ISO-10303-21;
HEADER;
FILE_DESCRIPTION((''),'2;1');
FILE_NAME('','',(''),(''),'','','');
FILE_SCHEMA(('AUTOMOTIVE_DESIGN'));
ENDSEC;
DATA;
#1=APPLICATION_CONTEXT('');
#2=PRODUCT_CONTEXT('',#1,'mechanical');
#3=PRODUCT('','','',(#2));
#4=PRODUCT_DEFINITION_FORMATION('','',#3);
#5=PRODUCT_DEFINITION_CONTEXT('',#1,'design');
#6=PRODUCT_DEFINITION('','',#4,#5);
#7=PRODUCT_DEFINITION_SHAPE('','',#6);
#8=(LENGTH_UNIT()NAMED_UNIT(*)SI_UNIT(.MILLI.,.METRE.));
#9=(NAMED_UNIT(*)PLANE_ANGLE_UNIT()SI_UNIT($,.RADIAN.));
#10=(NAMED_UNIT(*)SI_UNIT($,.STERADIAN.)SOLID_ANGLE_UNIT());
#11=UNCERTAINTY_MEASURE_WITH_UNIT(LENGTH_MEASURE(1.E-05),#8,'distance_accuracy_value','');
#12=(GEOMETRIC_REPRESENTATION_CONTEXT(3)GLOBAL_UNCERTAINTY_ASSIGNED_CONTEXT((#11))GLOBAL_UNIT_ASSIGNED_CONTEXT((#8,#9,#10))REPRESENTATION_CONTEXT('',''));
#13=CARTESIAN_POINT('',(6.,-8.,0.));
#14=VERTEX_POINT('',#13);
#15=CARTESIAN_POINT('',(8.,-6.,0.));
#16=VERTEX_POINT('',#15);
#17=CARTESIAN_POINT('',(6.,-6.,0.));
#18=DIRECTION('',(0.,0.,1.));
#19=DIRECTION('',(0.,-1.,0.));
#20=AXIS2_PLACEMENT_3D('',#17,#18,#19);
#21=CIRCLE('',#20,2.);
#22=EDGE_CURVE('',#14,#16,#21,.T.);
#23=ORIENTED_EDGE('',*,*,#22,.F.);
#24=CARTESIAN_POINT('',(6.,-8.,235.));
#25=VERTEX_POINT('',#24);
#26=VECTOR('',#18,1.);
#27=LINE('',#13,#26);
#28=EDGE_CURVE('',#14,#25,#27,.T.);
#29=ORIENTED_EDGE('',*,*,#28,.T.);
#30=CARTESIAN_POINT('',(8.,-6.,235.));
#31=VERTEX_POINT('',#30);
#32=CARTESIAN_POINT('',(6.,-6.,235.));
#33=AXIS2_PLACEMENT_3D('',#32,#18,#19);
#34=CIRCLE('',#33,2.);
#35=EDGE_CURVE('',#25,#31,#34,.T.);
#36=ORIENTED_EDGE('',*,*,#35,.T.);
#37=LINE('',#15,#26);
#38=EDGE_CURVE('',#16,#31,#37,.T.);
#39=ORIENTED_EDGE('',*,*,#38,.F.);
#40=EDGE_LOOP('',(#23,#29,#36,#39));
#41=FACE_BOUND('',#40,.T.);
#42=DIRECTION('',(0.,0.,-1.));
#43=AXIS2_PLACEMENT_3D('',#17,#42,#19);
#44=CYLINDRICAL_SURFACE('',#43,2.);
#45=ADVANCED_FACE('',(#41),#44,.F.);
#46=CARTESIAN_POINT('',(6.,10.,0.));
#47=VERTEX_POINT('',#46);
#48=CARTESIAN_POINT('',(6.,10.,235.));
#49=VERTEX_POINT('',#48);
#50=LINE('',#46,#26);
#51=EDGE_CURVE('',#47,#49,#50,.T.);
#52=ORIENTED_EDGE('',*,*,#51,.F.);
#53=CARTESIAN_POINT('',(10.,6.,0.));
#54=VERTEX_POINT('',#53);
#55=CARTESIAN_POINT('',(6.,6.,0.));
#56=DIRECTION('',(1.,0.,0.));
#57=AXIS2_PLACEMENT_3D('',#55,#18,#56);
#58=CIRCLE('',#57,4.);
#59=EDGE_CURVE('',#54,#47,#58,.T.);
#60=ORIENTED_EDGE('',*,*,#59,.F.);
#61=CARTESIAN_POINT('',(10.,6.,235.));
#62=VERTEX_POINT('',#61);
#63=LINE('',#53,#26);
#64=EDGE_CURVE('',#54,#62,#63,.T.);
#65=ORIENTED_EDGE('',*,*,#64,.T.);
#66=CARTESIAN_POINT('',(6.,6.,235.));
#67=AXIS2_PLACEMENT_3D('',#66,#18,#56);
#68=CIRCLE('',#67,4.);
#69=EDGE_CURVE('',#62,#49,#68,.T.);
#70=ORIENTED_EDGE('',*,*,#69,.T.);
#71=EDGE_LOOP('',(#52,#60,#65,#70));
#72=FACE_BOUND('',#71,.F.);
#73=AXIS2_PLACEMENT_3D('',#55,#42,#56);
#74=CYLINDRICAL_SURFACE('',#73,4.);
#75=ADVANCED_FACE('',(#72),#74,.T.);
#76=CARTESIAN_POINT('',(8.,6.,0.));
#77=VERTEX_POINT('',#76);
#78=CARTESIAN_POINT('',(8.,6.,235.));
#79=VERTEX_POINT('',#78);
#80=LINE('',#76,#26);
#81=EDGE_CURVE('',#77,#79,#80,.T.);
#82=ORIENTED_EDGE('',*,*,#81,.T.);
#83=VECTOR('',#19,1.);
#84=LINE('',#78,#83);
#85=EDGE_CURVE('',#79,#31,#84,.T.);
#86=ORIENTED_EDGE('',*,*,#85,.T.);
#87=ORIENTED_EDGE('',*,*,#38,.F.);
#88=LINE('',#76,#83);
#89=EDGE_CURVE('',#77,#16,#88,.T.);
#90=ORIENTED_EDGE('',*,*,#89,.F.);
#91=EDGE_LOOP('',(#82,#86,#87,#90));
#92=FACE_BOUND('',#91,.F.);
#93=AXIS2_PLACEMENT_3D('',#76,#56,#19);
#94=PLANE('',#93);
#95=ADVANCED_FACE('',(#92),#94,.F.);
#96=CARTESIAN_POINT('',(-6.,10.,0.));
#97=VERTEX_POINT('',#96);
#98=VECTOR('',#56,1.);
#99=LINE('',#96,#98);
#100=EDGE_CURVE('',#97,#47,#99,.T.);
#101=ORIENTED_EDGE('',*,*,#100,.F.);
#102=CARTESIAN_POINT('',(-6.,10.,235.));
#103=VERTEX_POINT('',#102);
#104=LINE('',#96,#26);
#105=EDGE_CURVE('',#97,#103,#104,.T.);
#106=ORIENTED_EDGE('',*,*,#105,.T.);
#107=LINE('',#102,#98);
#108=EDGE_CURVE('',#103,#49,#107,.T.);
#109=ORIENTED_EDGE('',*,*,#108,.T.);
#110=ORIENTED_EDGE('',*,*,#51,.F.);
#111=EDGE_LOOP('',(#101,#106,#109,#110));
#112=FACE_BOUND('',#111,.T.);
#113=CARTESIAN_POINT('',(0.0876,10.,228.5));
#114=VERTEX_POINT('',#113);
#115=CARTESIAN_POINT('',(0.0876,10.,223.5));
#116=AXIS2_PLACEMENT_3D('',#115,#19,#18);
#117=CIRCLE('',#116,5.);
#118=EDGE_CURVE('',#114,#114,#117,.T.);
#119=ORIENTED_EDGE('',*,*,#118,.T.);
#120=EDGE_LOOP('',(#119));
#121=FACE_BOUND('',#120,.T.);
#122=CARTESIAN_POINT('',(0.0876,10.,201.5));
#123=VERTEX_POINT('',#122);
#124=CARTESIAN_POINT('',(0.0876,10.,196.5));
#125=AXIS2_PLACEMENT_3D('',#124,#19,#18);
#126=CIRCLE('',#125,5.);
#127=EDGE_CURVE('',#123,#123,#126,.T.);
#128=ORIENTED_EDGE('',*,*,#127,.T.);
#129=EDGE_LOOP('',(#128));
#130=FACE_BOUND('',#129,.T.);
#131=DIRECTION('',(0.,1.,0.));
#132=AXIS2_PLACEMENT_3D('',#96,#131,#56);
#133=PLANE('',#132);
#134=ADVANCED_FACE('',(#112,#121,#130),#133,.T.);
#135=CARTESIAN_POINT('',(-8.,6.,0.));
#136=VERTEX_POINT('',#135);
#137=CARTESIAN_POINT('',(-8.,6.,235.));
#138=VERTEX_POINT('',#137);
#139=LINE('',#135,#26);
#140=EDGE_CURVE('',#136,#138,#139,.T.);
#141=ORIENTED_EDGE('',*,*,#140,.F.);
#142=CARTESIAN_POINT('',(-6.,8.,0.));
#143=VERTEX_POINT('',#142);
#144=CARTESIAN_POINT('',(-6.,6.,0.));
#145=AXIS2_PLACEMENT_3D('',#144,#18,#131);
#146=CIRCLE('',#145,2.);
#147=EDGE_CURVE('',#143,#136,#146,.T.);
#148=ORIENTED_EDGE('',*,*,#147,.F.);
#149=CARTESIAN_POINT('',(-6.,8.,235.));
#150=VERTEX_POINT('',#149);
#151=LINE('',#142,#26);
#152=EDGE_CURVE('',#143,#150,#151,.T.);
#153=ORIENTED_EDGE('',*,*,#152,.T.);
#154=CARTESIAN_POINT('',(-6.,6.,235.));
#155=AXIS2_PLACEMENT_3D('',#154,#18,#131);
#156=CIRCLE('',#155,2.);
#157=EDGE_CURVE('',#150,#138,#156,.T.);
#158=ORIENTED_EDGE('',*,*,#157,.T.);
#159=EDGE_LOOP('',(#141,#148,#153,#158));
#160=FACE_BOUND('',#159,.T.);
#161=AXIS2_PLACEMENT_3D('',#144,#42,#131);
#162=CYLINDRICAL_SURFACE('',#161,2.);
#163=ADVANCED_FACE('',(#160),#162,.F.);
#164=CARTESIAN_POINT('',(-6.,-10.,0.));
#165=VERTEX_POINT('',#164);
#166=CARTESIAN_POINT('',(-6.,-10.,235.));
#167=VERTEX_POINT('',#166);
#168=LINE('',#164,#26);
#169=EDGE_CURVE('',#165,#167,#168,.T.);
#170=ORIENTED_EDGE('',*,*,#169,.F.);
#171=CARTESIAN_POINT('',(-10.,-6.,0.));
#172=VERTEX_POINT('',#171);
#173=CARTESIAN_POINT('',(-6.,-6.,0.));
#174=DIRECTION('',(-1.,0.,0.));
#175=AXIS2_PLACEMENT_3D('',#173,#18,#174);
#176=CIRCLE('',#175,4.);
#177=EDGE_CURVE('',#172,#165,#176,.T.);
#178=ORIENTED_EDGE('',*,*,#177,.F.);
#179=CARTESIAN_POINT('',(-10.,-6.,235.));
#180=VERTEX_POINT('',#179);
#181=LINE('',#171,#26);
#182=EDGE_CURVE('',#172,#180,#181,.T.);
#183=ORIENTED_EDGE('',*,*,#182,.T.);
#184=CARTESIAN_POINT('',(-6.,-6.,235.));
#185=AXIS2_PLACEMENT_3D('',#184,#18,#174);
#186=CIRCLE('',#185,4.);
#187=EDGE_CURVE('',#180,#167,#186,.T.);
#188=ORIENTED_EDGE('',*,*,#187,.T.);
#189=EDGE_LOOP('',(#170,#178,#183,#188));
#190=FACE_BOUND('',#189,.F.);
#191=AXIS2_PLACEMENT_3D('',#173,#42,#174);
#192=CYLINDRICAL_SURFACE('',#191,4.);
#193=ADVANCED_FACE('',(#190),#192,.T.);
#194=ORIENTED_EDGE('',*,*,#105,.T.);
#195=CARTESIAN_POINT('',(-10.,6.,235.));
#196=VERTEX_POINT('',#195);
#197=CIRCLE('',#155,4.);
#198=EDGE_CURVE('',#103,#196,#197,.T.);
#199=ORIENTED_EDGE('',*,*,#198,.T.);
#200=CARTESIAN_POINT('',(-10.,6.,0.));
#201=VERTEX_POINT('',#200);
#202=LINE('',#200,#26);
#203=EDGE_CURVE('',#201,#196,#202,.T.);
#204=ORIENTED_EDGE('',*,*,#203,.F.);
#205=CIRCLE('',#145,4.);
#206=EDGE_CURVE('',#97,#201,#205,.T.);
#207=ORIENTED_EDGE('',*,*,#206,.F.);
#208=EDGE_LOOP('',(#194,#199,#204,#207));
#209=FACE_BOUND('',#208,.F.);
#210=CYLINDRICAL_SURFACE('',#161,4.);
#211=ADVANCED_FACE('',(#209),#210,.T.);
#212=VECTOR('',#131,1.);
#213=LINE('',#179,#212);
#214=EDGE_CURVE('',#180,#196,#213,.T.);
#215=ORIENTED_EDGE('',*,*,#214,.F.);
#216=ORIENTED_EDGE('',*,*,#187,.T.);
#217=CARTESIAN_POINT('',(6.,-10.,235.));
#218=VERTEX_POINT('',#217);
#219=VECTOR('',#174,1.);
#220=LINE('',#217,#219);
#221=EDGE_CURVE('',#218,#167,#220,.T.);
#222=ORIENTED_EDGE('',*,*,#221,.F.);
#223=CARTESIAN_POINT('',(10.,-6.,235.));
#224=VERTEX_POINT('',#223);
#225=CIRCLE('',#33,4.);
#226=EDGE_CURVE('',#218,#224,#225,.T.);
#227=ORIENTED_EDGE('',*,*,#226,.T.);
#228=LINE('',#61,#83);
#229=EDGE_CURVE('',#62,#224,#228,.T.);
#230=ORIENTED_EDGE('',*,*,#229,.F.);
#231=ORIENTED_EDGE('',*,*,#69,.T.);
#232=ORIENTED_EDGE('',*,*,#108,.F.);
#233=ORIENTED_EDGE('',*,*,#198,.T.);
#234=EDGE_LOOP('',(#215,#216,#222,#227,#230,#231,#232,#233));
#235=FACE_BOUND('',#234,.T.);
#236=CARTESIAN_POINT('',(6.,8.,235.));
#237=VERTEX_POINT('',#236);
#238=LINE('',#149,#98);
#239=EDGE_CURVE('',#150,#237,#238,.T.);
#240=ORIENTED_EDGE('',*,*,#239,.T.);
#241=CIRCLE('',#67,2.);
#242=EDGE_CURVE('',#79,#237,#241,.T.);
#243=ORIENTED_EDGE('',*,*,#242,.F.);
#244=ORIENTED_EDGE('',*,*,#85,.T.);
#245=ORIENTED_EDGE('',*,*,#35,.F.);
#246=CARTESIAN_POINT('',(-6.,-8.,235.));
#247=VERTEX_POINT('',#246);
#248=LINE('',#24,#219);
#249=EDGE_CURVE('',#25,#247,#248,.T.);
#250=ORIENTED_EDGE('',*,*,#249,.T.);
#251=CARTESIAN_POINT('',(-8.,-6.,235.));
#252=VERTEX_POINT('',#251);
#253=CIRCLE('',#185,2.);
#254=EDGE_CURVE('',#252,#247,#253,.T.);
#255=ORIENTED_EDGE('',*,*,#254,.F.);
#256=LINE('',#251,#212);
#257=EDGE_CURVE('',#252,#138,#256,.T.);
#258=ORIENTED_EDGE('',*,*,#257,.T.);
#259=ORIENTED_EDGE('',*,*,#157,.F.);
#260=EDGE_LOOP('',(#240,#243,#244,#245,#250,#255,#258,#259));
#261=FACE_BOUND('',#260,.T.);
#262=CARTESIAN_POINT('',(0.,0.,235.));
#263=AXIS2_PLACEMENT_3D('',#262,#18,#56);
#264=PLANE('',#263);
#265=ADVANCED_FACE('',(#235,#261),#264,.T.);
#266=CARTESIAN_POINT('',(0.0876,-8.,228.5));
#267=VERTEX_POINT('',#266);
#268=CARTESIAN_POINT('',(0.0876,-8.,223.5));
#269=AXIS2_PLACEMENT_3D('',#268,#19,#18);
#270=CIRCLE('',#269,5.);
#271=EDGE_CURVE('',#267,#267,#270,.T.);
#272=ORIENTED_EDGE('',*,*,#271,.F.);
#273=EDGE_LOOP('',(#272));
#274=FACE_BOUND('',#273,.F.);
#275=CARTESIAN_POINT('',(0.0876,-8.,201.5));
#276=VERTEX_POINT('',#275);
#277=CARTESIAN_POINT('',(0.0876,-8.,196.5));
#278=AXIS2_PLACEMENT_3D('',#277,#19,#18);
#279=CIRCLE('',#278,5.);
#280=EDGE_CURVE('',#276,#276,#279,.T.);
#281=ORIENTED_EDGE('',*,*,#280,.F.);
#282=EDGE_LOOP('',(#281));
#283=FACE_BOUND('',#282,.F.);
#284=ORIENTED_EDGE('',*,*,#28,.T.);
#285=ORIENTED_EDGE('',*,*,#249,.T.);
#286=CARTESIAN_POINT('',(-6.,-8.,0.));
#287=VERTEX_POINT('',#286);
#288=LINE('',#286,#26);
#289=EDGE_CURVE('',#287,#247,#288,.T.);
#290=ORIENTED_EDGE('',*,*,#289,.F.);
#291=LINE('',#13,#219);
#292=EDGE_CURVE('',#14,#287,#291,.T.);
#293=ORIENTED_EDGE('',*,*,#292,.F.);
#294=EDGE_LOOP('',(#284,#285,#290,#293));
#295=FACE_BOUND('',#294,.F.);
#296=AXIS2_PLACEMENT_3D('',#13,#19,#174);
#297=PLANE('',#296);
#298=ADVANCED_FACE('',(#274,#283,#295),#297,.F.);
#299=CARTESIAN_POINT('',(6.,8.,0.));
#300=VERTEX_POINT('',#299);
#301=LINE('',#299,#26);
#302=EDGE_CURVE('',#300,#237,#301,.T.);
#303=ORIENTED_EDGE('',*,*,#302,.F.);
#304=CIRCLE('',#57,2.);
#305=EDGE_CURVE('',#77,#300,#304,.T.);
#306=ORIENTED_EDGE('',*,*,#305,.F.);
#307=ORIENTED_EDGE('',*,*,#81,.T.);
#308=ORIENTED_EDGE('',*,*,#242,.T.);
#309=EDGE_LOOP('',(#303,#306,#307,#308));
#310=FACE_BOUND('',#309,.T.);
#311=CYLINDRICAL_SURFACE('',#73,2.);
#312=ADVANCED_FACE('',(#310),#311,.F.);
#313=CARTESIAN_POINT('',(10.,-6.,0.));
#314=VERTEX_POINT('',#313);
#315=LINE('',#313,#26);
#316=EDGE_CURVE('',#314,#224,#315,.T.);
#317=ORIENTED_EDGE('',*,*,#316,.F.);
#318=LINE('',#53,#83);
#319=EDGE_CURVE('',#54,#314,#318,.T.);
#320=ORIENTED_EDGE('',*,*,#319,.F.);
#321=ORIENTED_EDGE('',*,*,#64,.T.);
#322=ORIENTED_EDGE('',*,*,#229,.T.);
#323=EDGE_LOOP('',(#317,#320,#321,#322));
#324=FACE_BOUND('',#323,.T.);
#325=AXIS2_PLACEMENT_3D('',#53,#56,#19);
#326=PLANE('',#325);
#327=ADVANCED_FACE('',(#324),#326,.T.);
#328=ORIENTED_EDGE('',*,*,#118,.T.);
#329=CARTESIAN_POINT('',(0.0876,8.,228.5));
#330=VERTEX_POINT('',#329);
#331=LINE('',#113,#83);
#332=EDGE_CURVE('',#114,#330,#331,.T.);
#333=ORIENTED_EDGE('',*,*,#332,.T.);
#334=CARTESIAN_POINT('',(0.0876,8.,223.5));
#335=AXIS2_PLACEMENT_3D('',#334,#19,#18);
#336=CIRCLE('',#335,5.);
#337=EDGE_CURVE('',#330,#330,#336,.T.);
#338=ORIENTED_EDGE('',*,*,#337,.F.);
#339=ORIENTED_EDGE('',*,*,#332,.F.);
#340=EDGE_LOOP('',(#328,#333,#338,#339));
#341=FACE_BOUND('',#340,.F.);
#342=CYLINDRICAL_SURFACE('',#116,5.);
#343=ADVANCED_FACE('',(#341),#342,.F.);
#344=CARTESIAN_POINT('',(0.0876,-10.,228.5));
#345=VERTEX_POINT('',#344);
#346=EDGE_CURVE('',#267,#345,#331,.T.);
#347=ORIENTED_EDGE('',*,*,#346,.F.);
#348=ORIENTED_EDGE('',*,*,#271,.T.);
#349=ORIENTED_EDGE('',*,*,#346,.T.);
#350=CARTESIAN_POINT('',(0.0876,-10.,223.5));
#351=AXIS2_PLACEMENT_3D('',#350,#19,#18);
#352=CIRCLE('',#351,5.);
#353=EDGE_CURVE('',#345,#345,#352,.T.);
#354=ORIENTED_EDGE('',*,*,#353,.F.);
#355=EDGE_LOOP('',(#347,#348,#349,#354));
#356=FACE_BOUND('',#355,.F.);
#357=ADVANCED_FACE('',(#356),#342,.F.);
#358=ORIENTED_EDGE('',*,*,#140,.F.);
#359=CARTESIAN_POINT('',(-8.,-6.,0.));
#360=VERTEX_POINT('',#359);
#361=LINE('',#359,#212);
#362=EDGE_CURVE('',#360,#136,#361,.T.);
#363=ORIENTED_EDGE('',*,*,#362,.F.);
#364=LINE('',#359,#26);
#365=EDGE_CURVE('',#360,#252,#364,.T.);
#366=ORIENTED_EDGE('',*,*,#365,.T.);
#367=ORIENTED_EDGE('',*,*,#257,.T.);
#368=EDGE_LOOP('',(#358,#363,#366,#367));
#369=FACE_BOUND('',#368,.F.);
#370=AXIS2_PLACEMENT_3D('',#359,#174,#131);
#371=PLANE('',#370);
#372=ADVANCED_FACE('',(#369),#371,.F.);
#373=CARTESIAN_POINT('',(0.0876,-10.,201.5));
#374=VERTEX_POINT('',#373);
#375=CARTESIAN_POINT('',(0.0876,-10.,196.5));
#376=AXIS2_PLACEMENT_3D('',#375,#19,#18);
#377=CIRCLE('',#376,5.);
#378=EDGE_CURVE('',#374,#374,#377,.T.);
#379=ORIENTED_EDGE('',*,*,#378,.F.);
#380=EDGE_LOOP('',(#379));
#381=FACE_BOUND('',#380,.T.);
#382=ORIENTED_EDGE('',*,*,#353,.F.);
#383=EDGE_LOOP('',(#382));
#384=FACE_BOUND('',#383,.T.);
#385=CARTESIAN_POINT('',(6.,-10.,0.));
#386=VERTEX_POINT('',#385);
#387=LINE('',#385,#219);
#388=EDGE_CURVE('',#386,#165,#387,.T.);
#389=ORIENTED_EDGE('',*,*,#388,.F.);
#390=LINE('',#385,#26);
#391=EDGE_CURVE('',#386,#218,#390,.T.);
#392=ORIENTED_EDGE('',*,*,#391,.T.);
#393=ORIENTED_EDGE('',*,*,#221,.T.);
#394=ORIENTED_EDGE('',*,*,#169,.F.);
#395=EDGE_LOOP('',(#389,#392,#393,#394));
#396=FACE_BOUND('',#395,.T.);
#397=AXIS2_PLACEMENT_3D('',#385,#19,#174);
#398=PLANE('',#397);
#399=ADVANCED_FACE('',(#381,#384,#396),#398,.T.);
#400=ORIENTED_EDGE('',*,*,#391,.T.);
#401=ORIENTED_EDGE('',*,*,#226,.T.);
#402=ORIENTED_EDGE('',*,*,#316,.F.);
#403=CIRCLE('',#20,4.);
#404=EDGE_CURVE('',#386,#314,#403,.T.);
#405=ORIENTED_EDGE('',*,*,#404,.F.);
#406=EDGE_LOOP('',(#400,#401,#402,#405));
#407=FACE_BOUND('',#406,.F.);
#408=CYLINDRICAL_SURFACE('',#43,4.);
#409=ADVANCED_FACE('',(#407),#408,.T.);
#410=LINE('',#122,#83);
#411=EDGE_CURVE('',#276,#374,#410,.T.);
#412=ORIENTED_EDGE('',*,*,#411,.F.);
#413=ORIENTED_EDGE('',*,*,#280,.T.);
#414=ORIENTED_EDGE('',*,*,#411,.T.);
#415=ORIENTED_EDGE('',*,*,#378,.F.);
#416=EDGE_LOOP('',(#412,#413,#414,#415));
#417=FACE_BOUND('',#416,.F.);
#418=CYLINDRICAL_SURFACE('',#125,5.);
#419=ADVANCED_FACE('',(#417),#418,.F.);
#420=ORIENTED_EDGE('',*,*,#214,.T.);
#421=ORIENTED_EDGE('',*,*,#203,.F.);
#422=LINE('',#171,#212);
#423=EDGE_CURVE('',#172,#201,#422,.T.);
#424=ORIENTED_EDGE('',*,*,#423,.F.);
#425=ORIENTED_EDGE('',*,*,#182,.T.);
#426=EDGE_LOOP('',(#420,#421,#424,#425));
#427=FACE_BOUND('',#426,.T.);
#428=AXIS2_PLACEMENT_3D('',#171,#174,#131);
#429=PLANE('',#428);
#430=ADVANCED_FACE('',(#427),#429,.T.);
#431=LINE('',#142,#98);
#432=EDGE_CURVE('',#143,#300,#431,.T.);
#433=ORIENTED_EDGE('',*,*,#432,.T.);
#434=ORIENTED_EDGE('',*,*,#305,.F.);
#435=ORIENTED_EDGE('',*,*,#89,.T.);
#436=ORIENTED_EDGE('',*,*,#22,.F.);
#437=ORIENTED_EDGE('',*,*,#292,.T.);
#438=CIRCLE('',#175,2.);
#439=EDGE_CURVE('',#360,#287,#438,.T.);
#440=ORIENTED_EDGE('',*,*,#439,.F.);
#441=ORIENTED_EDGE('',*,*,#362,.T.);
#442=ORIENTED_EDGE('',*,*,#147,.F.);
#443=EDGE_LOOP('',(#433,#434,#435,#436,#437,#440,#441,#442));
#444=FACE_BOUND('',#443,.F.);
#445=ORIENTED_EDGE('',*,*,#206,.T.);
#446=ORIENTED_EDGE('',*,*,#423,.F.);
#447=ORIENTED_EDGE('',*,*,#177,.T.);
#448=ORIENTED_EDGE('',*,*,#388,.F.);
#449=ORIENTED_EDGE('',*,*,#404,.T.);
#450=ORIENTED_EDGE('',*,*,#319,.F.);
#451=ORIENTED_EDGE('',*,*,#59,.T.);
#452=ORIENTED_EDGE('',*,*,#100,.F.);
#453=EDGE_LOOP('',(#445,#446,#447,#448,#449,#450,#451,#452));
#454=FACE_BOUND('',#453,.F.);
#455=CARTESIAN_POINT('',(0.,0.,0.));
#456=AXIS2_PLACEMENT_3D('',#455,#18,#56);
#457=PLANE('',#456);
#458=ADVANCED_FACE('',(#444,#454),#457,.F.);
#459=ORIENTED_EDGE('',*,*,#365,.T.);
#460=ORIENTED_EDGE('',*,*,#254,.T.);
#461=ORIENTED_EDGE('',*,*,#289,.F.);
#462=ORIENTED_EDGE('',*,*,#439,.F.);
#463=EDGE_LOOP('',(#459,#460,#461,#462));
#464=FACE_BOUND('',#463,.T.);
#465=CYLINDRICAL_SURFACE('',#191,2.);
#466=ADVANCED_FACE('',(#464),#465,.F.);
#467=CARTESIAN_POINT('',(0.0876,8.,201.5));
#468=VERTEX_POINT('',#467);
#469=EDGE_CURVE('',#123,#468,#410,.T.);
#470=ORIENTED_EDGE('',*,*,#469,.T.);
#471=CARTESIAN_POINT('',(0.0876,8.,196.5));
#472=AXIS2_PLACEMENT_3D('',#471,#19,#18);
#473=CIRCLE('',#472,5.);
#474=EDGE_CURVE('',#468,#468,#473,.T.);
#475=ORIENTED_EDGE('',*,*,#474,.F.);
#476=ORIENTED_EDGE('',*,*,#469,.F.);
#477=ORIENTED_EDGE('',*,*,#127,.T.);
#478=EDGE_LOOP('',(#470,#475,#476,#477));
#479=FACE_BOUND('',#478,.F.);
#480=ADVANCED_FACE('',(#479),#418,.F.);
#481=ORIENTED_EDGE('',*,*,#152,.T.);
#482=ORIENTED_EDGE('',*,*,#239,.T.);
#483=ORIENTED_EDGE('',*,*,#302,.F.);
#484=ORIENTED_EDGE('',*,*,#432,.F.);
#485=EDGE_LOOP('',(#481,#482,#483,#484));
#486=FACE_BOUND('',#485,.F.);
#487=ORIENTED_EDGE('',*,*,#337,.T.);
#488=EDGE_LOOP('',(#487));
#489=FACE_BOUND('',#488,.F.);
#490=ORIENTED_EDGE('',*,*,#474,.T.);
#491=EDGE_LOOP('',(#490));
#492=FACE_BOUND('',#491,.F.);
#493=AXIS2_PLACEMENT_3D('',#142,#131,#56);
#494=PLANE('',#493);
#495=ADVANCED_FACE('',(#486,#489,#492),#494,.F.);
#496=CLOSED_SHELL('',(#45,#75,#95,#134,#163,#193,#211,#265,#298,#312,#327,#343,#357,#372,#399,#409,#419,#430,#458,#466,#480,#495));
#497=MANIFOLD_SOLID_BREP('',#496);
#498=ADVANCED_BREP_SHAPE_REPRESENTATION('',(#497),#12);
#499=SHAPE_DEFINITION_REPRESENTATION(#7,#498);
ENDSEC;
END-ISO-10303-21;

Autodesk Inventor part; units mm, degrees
ref_plane "YZ Plane" through (0, 0, 0) normal (1, 0, 0) x (0, 1, 0)
ref_plane "Piano iniziale" through (0, 0, 0) normal (0, 0, 1) x (1, 0, 0)
ref_plane "Piano finale" through (0, 0, 235) normal (0, 0, 1) x (1, 0, 0)
sketch "Schizzo" plane through (0, 0, 0) normal (0, 0, 1) x (1, 0, 0)
  line L0 (-10, -6) -> (-10, 6)
  line L1 (-6, 10) -> (6, 10)
  line L2 (10, 6) -> (10, -6)
  line L3 (6, -10) -> (-6, -10)
  arc A0 (-10, -6) -> (-6, -10) centre (-6, -6) ccw
  arc A1 (10, 6) -> (6, 10) centre (6, 6) ccw
  arc A2 (-6, 10) -> (-10, 6) centre (-6, 6) ccw
  arc A3 (6, -10) -> (10, -6) centre (6, -6) ccw
  arc A4 (-6, 8) -> (-8, 6) centre (-6, 6) ccw
  line L4 (-6, 8) -> (6, 8)
  arc A5 (8, 6) -> (6, 8) centre (6, 6) ccw
  line L5 (8, 6) -> (8, -6)
  arc A6 (6, -8) -> (8, -6) centre (6, -6) ccw
  line L6 (6, -8) -> (-6, -8)
  arc A7 (-8, -6) -> (-6, -8) centre (-6, -6) ccw
  line L7 (-8, -6) -> (-8, 6)
  line L8 (0, 15.1598) -> (0, -15.1598) construction
  line L9 (-15.1598, 0) -> (15.1598, 0) construction
  dimension "d7" = 4
  dimension "d9" = 20
  dimension "d11" = 20
  dimension "d12" = 2
  dimension "d15" = 10
  dimension "d16" = 10
extrude "Corpo" add sketch "Schizzo" along normal up to surface (235 mm away) from surface at 0
sketch "Sketch3" plane through (0, 0, 0) normal (0, 0, 1) x (1, 0, 0)
  line L0 (0, 0) -> (10, 0)
ref_plane "Work Plane3" through (0, 0, 0) normal (0, -1, 0) x (1, 0, 0)
sketch "Sketch4" plane through (0, 0, 0) normal (0, -1, 0) x (1, 0, 0)
  line L0 (-2, 0) -> (12, 0)
  line L1 (-2, 235) -> (12, 235)
  dimension "d18" = 235
sketch "Schizzo5" plane through (6, 10, 235) normal (0, 1, 0) x (1, 0, 0)
  line L0 (-12, 0) -> (0, 0) projected
  line L1 (4, 235) -> (4, 0) projected
  point P0 (-6, 235)
  point P1 (-5.9124, 11.5)
  point P2 (-5.9124, 38.5)
  dimension "d26" = 11.5
  dimension "d27" = 27
  dimension "d28" = 9.9124
hole "Foro1" at (0.0876, 10, 223.5) at (0.0876, 10, 196.5) direction (0, -1, 0) diameter 10 end through all
equation "\"d7\" = G_IR"
equation "\"d9\" = G_W"
equation "\"d11\" = G_H"
equation "\"d12\" = G_T"
equation "\"d15\" = 0.5 * d9"
equation "\"d16\" = 0.5 * d11"
equation "\"d3\" = G_L"
equation "\"G_W\" = 20"
equation "\"G_H\" = 20"
equation "\"G_T\" = 2"
equation "\"G_IR\" = 4"
equation "\"G_L\" = d18"
equation "\"G_OFFSET_START\" = 0"
equation "\"G_OFFSET_END\" = 0"
equation "\"d14\" = G_OFFSET_END + B_L"
equation "\"B_L\" = 235"
properties part number "ISO 10799-2 - 20x20x2 - 235" material "Acciaio, Dolce"
